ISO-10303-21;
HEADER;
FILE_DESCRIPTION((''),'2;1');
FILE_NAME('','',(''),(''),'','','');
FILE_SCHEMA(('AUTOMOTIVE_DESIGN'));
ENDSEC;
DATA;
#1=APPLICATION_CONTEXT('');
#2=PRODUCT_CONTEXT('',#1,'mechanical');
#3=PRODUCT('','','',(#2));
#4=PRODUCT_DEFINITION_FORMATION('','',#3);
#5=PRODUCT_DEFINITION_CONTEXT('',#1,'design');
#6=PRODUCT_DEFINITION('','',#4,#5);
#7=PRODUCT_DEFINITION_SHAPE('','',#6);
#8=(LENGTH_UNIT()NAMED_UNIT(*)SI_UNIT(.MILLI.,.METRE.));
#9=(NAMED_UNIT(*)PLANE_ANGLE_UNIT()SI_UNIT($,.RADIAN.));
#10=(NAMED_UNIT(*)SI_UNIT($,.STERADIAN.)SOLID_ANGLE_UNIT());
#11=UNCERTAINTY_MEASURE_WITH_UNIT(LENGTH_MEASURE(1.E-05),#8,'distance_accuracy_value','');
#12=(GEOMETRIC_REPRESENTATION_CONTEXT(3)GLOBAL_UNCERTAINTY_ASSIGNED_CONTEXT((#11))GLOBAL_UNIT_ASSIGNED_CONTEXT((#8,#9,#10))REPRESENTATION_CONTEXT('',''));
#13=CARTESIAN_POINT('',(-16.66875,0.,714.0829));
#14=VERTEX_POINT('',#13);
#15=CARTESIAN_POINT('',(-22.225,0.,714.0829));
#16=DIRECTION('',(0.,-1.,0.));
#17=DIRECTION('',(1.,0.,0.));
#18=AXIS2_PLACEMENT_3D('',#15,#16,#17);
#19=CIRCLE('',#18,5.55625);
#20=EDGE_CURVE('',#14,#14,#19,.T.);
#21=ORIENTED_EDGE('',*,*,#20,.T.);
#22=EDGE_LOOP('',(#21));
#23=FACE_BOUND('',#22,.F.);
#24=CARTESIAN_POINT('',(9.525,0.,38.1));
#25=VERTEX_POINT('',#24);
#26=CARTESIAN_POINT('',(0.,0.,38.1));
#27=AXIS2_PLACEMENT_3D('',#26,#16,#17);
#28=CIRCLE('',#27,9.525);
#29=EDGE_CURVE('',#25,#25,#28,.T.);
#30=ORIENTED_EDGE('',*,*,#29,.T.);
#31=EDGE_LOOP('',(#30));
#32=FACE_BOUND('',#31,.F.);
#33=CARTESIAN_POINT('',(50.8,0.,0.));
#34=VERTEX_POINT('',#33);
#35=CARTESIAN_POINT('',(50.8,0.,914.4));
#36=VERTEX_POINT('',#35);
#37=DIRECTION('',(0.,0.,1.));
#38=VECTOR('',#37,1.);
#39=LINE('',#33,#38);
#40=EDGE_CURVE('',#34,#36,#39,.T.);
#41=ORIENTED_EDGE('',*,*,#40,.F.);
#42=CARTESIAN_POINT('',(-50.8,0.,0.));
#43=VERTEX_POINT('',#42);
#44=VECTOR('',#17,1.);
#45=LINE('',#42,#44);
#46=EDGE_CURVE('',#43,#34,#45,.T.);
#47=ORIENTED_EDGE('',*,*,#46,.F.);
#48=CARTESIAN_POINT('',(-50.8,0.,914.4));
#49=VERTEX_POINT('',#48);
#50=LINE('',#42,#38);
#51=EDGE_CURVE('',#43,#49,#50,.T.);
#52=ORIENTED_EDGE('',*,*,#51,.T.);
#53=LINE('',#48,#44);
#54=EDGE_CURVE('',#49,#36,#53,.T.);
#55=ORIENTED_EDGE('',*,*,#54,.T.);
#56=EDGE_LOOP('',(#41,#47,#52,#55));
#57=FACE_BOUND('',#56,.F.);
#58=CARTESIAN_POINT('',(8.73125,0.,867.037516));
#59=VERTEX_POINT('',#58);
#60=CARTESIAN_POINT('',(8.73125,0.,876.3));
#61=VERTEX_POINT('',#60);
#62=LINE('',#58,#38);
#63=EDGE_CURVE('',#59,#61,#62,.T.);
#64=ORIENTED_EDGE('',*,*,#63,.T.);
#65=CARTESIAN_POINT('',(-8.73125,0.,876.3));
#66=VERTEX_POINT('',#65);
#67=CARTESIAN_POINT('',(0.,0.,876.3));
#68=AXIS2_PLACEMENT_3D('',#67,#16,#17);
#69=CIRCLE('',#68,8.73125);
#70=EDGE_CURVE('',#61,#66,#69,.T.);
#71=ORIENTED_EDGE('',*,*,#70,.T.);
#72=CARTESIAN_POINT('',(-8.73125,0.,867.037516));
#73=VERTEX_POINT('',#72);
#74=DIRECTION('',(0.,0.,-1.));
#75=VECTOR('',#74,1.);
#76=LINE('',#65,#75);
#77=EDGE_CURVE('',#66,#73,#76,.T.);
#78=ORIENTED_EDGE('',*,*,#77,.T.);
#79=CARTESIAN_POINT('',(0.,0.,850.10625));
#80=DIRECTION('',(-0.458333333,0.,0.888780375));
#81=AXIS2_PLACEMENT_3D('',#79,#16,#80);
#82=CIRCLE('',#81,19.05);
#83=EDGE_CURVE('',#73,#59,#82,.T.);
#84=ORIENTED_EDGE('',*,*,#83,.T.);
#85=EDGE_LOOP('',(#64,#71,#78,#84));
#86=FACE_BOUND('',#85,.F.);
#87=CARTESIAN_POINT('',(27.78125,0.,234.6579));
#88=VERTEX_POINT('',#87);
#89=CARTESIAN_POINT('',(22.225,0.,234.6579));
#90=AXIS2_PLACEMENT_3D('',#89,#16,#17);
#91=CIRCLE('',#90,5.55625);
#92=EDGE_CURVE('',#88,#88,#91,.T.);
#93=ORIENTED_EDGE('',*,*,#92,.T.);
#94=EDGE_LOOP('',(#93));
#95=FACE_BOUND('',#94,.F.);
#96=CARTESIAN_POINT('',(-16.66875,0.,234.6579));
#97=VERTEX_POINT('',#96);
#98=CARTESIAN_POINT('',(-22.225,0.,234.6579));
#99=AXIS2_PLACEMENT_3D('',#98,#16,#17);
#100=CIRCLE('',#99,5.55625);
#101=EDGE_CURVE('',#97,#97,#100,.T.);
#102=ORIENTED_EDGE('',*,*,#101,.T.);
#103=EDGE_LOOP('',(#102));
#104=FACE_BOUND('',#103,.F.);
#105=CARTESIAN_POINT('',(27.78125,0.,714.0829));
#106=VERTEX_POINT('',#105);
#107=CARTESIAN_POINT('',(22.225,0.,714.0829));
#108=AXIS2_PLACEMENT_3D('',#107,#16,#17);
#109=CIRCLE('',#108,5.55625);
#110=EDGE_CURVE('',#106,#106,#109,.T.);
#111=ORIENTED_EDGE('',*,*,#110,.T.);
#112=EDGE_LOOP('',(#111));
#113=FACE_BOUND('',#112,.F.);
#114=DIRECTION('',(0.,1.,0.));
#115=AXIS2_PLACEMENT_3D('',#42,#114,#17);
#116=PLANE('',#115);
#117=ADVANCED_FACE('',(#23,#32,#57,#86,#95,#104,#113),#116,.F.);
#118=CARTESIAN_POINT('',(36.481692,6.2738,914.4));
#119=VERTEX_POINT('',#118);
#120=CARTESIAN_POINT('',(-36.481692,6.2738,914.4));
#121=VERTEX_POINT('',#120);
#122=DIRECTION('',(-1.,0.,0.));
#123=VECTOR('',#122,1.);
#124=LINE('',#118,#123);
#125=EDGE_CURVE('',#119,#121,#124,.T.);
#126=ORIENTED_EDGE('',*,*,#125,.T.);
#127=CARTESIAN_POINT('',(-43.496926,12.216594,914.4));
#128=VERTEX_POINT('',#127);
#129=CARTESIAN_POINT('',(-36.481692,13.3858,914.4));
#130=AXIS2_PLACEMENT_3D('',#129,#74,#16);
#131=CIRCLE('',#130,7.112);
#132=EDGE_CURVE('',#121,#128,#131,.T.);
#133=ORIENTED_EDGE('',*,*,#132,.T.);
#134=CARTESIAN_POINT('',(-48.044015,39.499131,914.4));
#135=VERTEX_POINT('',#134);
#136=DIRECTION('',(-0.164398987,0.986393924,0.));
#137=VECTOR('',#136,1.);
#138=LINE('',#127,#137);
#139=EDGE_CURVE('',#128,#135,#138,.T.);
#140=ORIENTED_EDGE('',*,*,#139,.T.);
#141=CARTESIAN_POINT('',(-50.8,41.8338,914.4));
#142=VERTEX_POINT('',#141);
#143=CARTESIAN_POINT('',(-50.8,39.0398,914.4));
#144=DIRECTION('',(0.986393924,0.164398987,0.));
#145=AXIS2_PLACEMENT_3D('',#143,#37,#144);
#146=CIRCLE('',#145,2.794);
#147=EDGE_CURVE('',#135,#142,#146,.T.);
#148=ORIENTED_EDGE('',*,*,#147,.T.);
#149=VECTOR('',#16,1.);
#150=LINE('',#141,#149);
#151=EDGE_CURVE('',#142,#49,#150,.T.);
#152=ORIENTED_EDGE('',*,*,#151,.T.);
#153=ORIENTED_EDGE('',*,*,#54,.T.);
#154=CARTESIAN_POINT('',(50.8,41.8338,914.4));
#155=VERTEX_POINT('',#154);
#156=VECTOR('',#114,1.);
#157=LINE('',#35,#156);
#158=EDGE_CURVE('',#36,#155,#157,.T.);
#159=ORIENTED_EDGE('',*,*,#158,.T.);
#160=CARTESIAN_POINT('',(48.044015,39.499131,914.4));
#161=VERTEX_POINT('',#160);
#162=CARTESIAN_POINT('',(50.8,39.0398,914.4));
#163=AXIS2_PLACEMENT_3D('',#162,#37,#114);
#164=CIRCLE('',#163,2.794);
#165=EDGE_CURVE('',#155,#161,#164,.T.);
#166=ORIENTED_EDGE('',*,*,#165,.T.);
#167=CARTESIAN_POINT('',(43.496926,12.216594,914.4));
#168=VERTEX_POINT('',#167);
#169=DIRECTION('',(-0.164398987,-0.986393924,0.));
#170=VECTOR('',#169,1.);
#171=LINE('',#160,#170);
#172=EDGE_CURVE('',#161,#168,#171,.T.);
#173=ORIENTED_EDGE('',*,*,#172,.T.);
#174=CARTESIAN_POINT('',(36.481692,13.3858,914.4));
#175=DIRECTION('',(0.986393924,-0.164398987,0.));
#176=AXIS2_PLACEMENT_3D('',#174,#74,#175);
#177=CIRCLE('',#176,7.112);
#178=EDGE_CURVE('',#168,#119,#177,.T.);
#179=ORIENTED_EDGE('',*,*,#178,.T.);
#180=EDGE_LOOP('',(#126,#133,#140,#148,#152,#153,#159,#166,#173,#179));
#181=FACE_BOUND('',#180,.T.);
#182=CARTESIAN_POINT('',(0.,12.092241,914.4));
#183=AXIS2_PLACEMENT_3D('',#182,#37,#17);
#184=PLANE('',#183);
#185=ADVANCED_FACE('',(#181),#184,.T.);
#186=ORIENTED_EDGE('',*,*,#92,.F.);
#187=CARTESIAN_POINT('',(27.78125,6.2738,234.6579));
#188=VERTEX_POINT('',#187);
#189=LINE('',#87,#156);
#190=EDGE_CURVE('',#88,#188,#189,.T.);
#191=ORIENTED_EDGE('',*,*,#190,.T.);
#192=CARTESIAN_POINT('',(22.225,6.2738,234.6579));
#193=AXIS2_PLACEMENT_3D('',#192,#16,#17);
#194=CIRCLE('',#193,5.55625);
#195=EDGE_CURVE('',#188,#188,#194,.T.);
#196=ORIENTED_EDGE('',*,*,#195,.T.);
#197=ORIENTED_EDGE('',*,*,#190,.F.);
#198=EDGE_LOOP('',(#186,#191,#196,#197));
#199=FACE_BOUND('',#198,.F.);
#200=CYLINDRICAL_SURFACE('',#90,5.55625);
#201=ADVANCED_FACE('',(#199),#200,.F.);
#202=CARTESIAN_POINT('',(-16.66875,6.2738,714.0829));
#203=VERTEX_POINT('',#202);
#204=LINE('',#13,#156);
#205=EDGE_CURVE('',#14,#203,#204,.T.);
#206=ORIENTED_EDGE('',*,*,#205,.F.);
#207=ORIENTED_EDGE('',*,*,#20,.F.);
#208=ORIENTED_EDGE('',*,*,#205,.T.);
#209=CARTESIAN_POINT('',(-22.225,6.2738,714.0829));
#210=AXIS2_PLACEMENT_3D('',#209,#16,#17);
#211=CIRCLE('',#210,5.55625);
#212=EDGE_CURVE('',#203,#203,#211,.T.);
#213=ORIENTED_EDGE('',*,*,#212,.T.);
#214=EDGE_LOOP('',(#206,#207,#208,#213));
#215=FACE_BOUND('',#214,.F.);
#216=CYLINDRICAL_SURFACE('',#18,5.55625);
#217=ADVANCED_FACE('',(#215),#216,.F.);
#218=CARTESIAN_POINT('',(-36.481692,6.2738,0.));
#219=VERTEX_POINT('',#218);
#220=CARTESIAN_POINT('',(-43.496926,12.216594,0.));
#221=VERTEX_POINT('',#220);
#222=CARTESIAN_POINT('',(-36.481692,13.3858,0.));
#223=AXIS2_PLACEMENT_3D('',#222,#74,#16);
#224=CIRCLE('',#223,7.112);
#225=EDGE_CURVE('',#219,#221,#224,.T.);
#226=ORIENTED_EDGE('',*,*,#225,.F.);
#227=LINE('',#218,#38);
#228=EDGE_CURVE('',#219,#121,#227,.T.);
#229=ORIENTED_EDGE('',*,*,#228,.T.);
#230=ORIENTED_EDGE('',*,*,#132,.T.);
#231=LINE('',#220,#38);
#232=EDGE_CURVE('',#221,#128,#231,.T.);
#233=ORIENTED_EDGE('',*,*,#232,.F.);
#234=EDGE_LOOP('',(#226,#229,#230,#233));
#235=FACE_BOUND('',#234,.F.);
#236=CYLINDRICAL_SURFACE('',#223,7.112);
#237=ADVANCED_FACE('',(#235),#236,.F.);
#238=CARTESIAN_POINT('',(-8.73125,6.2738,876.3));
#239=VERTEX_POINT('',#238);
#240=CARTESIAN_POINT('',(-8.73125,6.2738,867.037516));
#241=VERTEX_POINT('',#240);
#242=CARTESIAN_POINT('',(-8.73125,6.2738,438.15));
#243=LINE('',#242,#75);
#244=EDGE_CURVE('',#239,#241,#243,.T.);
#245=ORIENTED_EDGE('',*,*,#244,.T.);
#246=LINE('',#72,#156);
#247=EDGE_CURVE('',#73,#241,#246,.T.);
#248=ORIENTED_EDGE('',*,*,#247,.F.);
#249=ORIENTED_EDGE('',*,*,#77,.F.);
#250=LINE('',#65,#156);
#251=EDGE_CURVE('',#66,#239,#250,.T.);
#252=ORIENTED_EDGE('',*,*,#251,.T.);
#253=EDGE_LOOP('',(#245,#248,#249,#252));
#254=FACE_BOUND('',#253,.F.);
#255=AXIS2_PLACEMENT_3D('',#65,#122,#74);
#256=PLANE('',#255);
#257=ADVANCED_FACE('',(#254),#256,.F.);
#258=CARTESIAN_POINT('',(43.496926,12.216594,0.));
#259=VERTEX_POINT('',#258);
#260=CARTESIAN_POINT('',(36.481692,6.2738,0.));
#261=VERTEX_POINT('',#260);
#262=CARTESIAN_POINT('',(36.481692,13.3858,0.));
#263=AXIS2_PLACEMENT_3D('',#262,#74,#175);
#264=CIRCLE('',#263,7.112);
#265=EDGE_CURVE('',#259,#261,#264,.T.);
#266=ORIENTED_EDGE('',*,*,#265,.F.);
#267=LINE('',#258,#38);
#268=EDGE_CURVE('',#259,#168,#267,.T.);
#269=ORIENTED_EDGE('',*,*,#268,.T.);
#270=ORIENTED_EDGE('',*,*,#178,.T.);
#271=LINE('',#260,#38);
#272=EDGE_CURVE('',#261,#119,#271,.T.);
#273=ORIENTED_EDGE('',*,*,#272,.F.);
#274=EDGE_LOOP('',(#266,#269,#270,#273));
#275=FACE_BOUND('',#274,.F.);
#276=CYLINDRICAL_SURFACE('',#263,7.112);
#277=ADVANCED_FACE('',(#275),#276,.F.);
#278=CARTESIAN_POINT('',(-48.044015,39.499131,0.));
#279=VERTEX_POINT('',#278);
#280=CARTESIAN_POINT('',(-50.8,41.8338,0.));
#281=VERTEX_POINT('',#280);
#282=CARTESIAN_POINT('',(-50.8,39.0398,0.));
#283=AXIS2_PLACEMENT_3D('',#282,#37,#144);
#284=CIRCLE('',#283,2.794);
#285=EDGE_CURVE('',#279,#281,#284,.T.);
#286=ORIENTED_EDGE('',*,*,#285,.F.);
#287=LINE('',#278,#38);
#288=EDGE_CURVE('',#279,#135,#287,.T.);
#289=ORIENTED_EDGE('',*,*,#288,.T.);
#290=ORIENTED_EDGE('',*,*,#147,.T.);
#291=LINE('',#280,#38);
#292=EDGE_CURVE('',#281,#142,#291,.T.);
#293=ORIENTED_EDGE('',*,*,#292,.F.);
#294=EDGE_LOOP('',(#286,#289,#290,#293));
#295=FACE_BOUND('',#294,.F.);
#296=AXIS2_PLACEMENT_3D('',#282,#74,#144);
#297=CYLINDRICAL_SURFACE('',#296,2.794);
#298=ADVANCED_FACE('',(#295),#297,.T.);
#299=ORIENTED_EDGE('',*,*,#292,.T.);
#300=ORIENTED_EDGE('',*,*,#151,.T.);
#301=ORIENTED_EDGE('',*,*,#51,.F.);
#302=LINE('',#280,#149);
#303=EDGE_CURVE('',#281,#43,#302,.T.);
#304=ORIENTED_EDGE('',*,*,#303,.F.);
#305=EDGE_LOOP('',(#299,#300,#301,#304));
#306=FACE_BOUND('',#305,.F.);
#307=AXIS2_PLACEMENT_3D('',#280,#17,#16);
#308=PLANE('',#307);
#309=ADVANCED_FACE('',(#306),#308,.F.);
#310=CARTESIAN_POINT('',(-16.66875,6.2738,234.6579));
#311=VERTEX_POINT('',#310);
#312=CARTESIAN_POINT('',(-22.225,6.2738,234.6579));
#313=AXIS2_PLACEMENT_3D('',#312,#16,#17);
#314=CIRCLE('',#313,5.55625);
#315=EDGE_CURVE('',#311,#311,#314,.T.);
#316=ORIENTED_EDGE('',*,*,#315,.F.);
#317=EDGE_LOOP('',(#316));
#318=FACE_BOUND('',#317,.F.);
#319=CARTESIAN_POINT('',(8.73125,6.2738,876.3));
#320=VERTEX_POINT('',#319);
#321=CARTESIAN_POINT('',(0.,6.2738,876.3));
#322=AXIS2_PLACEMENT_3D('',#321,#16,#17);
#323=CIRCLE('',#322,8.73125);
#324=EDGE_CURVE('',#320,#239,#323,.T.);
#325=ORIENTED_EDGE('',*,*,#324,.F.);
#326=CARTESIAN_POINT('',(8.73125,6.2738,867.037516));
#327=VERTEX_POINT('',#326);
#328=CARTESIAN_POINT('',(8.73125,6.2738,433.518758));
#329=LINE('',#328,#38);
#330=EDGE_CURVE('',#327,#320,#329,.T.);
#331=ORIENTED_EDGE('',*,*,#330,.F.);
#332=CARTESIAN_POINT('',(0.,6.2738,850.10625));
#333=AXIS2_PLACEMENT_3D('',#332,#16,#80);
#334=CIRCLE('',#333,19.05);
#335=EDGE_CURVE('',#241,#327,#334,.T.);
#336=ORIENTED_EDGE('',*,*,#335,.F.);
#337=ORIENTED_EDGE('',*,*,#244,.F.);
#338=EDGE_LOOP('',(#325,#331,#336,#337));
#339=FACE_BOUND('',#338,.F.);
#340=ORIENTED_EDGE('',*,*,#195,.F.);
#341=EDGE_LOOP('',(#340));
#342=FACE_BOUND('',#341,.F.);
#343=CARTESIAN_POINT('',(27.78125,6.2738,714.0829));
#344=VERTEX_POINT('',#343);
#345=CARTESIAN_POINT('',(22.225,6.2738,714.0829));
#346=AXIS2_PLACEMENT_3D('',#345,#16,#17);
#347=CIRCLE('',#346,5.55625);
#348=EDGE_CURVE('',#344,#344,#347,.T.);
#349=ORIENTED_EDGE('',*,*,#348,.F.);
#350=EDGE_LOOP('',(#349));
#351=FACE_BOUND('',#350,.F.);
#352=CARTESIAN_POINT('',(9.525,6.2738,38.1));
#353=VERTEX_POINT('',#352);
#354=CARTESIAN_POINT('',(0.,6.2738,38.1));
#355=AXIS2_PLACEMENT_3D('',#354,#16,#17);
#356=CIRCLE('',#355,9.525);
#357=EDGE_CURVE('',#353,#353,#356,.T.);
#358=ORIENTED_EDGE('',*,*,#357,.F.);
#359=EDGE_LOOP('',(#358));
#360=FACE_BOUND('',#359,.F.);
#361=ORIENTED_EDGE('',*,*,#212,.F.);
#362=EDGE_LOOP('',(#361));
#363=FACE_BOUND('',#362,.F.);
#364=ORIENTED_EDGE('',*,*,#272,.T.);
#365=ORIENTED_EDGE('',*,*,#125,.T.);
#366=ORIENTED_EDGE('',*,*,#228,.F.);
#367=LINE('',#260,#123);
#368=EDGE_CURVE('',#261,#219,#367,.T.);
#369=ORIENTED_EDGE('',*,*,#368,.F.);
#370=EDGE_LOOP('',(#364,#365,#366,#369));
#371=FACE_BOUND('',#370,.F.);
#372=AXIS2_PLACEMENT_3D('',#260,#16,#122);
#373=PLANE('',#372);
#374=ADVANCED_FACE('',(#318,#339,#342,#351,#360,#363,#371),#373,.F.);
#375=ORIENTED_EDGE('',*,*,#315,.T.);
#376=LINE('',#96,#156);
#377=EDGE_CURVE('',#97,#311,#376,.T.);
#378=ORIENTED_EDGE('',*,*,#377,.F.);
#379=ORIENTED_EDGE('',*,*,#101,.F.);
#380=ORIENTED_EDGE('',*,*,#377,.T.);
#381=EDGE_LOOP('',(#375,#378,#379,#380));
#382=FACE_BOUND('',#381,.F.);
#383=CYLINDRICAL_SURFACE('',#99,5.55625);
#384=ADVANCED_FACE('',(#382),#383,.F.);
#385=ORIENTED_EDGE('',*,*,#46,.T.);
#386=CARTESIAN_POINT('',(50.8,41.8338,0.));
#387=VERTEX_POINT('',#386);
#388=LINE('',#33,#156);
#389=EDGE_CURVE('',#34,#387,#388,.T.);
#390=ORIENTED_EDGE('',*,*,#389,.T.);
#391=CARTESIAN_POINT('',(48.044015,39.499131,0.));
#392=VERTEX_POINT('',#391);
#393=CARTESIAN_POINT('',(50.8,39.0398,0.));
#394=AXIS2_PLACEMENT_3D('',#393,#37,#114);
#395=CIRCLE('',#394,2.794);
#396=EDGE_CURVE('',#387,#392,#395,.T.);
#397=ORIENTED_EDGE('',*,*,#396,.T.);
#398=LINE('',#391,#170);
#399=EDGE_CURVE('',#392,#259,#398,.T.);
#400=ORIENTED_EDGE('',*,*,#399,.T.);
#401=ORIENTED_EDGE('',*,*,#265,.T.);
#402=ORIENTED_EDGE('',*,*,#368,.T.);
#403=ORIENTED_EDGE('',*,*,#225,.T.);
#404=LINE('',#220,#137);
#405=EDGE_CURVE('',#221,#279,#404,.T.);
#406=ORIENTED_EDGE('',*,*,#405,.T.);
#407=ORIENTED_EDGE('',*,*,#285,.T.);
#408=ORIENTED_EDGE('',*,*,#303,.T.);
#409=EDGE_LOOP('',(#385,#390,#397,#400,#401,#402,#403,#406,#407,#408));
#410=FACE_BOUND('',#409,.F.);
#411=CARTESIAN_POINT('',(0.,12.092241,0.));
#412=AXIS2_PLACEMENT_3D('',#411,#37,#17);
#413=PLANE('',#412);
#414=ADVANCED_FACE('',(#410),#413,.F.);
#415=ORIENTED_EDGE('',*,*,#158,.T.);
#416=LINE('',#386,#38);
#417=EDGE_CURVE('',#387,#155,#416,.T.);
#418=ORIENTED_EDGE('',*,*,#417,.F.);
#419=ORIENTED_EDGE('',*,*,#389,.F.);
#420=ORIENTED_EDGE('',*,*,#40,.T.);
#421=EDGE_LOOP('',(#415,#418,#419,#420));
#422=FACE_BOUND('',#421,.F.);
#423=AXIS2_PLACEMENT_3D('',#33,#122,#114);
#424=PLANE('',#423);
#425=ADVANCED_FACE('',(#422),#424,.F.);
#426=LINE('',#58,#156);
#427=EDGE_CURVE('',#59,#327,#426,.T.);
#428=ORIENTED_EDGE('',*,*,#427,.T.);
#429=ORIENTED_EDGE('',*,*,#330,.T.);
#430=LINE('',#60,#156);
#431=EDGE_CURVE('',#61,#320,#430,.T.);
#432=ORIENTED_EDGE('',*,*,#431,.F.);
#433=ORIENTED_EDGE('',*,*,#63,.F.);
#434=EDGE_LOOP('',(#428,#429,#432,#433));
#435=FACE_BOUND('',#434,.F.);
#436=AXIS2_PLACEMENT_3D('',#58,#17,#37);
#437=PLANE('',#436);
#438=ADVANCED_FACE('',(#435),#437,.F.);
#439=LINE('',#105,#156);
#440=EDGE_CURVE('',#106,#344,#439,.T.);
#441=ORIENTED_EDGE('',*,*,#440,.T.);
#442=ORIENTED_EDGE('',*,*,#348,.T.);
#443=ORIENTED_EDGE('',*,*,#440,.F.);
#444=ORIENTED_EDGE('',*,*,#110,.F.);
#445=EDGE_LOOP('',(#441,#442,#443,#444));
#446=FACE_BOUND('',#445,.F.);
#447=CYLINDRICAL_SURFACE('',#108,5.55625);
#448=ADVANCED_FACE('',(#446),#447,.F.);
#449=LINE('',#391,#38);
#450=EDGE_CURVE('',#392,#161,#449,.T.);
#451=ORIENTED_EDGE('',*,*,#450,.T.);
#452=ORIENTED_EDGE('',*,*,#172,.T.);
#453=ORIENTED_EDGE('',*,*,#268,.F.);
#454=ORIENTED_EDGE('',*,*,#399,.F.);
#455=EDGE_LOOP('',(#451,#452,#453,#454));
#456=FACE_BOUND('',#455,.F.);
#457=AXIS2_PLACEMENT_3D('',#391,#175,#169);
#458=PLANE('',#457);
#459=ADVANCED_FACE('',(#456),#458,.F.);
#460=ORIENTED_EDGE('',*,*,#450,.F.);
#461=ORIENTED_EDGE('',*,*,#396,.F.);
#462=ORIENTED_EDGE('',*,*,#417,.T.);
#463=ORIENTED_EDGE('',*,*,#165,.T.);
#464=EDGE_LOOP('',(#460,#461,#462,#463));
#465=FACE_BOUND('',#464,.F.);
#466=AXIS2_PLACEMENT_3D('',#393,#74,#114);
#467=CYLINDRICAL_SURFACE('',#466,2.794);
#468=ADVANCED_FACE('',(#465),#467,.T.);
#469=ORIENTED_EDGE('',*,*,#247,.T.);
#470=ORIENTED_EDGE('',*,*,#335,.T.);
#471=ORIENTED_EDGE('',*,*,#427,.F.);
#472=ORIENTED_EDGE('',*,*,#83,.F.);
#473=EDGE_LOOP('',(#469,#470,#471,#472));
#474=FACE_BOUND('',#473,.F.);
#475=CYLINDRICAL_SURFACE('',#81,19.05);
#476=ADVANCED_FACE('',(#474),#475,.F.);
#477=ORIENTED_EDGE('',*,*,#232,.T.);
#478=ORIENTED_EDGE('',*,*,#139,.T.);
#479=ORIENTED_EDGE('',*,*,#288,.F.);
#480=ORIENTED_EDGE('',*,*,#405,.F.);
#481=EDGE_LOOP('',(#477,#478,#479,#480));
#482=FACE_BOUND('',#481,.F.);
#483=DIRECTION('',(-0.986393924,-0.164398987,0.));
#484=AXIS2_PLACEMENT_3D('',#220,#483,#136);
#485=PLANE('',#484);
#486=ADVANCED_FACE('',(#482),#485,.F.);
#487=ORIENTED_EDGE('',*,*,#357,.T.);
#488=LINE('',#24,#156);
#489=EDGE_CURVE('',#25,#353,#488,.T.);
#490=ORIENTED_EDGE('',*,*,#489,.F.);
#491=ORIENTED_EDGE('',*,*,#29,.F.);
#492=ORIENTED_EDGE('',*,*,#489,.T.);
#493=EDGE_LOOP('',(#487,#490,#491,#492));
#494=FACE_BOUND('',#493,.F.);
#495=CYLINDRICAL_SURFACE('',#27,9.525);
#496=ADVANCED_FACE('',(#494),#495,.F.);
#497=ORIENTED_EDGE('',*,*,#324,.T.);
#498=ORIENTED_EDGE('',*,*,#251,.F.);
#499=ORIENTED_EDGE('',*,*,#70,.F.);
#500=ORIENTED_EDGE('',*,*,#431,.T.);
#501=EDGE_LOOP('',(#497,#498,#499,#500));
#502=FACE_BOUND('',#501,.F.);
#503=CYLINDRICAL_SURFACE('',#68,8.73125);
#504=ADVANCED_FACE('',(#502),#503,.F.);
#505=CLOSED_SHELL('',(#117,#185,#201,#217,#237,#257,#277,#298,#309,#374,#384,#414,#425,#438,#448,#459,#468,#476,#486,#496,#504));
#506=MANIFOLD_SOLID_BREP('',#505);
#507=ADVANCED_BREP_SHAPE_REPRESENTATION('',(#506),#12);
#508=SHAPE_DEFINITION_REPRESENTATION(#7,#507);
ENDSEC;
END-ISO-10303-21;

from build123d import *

# Parameters (mm, degrees)
F1_DEPTH = 914.4
F2_R     = 9.525
F3_DEPTH = 41.8348
F5_DEPTH = 41.8348
F6_R     = 5.55625
F7_DEPTH = 41.8348


with BuildPart() as f1:
    # F0 (on Top) → F1 (new body)
    with BuildSketch(Plane.XY):
        with BuildLine():
            Line((-50.8, 41.8338), (-50.8, 0))
            Line((-50.8, 0), (50.8, 0))
            Line((50.8, 0), (50.8, 41.8338))
            ThreePointArc((50.8, 41.8338), (48.9940285402, 41.1716778311), (48.0440153768, 39.4991307706))
            Line((48.0440153768, 39.4991307706), (43.4969259811, 12.216594402))
            ThreePointArc((43.4969259811, 12.216594402), (41.078710656, 7.9592018846), (36.4816923948, 6.2738))
            Line((36.4816923948, 6.2738), (-36.4816923948, 6.2738))
            ThreePointArc((-36.4816923948, 6.2738), (-41.078710656, 7.9592018846), (-43.4969259811, 12.216594402))
            Line((-43.4969259811, 12.216594402), (-48.0440153768, 39.4991307706))
            ThreePointArc((-48.0440153768, 39.4991307706), (-48.9940285402, 41.1716778311), (-50.8, 41.8338))
        make_face()
    extrude(amount=F1_DEPTH)

    # F2 (on face) → F3 (cut, through all)
    with BuildSketch(Plane.XZ):
        with Locations((0, 38.1)):
            Circle(F2_R)
    extrude(amount=-F3_DEPTH, mode=Mode.SUBTRACT)

    # F4 (on face) → F5 (cut, through all)
    with BuildSketch(Plane.XZ):
        with BuildLine():
            Line((8.73125, 867.0375161499), (8.73125, 876.3))
            ThreePointArc((8.73125, 876.3), (0, 885.03125), (-8.73125, 876.3))
            Line((-8.73125, 876.3), (-8.73125, 867.0375161499))
            ThreePointArc((-8.73125, 867.0375161499), (0, 831.05625), (8.73125, 867.0375161499))
        make_face()
    extrude(amount=-F5_DEPTH, mode=Mode.SUBTRACT)

    # F6 (on face) → F7 (cut, through all)
    with BuildSketch(Plane.XZ):
        with Locations((-22.225, 714.0829)):
            Circle(F6_R)
        with Locations((22.225, 714.0829)):
            Circle(F6_R)
        with Locations((-22.225, 234.6579)):
            Circle(F6_R)
        with Locations((22.225, 234.6579)):
            Circle(F6_R)
    extrude(amount=-F7_DEPTH, mode=Mode.SUBTRACT)


solid = f1.part
